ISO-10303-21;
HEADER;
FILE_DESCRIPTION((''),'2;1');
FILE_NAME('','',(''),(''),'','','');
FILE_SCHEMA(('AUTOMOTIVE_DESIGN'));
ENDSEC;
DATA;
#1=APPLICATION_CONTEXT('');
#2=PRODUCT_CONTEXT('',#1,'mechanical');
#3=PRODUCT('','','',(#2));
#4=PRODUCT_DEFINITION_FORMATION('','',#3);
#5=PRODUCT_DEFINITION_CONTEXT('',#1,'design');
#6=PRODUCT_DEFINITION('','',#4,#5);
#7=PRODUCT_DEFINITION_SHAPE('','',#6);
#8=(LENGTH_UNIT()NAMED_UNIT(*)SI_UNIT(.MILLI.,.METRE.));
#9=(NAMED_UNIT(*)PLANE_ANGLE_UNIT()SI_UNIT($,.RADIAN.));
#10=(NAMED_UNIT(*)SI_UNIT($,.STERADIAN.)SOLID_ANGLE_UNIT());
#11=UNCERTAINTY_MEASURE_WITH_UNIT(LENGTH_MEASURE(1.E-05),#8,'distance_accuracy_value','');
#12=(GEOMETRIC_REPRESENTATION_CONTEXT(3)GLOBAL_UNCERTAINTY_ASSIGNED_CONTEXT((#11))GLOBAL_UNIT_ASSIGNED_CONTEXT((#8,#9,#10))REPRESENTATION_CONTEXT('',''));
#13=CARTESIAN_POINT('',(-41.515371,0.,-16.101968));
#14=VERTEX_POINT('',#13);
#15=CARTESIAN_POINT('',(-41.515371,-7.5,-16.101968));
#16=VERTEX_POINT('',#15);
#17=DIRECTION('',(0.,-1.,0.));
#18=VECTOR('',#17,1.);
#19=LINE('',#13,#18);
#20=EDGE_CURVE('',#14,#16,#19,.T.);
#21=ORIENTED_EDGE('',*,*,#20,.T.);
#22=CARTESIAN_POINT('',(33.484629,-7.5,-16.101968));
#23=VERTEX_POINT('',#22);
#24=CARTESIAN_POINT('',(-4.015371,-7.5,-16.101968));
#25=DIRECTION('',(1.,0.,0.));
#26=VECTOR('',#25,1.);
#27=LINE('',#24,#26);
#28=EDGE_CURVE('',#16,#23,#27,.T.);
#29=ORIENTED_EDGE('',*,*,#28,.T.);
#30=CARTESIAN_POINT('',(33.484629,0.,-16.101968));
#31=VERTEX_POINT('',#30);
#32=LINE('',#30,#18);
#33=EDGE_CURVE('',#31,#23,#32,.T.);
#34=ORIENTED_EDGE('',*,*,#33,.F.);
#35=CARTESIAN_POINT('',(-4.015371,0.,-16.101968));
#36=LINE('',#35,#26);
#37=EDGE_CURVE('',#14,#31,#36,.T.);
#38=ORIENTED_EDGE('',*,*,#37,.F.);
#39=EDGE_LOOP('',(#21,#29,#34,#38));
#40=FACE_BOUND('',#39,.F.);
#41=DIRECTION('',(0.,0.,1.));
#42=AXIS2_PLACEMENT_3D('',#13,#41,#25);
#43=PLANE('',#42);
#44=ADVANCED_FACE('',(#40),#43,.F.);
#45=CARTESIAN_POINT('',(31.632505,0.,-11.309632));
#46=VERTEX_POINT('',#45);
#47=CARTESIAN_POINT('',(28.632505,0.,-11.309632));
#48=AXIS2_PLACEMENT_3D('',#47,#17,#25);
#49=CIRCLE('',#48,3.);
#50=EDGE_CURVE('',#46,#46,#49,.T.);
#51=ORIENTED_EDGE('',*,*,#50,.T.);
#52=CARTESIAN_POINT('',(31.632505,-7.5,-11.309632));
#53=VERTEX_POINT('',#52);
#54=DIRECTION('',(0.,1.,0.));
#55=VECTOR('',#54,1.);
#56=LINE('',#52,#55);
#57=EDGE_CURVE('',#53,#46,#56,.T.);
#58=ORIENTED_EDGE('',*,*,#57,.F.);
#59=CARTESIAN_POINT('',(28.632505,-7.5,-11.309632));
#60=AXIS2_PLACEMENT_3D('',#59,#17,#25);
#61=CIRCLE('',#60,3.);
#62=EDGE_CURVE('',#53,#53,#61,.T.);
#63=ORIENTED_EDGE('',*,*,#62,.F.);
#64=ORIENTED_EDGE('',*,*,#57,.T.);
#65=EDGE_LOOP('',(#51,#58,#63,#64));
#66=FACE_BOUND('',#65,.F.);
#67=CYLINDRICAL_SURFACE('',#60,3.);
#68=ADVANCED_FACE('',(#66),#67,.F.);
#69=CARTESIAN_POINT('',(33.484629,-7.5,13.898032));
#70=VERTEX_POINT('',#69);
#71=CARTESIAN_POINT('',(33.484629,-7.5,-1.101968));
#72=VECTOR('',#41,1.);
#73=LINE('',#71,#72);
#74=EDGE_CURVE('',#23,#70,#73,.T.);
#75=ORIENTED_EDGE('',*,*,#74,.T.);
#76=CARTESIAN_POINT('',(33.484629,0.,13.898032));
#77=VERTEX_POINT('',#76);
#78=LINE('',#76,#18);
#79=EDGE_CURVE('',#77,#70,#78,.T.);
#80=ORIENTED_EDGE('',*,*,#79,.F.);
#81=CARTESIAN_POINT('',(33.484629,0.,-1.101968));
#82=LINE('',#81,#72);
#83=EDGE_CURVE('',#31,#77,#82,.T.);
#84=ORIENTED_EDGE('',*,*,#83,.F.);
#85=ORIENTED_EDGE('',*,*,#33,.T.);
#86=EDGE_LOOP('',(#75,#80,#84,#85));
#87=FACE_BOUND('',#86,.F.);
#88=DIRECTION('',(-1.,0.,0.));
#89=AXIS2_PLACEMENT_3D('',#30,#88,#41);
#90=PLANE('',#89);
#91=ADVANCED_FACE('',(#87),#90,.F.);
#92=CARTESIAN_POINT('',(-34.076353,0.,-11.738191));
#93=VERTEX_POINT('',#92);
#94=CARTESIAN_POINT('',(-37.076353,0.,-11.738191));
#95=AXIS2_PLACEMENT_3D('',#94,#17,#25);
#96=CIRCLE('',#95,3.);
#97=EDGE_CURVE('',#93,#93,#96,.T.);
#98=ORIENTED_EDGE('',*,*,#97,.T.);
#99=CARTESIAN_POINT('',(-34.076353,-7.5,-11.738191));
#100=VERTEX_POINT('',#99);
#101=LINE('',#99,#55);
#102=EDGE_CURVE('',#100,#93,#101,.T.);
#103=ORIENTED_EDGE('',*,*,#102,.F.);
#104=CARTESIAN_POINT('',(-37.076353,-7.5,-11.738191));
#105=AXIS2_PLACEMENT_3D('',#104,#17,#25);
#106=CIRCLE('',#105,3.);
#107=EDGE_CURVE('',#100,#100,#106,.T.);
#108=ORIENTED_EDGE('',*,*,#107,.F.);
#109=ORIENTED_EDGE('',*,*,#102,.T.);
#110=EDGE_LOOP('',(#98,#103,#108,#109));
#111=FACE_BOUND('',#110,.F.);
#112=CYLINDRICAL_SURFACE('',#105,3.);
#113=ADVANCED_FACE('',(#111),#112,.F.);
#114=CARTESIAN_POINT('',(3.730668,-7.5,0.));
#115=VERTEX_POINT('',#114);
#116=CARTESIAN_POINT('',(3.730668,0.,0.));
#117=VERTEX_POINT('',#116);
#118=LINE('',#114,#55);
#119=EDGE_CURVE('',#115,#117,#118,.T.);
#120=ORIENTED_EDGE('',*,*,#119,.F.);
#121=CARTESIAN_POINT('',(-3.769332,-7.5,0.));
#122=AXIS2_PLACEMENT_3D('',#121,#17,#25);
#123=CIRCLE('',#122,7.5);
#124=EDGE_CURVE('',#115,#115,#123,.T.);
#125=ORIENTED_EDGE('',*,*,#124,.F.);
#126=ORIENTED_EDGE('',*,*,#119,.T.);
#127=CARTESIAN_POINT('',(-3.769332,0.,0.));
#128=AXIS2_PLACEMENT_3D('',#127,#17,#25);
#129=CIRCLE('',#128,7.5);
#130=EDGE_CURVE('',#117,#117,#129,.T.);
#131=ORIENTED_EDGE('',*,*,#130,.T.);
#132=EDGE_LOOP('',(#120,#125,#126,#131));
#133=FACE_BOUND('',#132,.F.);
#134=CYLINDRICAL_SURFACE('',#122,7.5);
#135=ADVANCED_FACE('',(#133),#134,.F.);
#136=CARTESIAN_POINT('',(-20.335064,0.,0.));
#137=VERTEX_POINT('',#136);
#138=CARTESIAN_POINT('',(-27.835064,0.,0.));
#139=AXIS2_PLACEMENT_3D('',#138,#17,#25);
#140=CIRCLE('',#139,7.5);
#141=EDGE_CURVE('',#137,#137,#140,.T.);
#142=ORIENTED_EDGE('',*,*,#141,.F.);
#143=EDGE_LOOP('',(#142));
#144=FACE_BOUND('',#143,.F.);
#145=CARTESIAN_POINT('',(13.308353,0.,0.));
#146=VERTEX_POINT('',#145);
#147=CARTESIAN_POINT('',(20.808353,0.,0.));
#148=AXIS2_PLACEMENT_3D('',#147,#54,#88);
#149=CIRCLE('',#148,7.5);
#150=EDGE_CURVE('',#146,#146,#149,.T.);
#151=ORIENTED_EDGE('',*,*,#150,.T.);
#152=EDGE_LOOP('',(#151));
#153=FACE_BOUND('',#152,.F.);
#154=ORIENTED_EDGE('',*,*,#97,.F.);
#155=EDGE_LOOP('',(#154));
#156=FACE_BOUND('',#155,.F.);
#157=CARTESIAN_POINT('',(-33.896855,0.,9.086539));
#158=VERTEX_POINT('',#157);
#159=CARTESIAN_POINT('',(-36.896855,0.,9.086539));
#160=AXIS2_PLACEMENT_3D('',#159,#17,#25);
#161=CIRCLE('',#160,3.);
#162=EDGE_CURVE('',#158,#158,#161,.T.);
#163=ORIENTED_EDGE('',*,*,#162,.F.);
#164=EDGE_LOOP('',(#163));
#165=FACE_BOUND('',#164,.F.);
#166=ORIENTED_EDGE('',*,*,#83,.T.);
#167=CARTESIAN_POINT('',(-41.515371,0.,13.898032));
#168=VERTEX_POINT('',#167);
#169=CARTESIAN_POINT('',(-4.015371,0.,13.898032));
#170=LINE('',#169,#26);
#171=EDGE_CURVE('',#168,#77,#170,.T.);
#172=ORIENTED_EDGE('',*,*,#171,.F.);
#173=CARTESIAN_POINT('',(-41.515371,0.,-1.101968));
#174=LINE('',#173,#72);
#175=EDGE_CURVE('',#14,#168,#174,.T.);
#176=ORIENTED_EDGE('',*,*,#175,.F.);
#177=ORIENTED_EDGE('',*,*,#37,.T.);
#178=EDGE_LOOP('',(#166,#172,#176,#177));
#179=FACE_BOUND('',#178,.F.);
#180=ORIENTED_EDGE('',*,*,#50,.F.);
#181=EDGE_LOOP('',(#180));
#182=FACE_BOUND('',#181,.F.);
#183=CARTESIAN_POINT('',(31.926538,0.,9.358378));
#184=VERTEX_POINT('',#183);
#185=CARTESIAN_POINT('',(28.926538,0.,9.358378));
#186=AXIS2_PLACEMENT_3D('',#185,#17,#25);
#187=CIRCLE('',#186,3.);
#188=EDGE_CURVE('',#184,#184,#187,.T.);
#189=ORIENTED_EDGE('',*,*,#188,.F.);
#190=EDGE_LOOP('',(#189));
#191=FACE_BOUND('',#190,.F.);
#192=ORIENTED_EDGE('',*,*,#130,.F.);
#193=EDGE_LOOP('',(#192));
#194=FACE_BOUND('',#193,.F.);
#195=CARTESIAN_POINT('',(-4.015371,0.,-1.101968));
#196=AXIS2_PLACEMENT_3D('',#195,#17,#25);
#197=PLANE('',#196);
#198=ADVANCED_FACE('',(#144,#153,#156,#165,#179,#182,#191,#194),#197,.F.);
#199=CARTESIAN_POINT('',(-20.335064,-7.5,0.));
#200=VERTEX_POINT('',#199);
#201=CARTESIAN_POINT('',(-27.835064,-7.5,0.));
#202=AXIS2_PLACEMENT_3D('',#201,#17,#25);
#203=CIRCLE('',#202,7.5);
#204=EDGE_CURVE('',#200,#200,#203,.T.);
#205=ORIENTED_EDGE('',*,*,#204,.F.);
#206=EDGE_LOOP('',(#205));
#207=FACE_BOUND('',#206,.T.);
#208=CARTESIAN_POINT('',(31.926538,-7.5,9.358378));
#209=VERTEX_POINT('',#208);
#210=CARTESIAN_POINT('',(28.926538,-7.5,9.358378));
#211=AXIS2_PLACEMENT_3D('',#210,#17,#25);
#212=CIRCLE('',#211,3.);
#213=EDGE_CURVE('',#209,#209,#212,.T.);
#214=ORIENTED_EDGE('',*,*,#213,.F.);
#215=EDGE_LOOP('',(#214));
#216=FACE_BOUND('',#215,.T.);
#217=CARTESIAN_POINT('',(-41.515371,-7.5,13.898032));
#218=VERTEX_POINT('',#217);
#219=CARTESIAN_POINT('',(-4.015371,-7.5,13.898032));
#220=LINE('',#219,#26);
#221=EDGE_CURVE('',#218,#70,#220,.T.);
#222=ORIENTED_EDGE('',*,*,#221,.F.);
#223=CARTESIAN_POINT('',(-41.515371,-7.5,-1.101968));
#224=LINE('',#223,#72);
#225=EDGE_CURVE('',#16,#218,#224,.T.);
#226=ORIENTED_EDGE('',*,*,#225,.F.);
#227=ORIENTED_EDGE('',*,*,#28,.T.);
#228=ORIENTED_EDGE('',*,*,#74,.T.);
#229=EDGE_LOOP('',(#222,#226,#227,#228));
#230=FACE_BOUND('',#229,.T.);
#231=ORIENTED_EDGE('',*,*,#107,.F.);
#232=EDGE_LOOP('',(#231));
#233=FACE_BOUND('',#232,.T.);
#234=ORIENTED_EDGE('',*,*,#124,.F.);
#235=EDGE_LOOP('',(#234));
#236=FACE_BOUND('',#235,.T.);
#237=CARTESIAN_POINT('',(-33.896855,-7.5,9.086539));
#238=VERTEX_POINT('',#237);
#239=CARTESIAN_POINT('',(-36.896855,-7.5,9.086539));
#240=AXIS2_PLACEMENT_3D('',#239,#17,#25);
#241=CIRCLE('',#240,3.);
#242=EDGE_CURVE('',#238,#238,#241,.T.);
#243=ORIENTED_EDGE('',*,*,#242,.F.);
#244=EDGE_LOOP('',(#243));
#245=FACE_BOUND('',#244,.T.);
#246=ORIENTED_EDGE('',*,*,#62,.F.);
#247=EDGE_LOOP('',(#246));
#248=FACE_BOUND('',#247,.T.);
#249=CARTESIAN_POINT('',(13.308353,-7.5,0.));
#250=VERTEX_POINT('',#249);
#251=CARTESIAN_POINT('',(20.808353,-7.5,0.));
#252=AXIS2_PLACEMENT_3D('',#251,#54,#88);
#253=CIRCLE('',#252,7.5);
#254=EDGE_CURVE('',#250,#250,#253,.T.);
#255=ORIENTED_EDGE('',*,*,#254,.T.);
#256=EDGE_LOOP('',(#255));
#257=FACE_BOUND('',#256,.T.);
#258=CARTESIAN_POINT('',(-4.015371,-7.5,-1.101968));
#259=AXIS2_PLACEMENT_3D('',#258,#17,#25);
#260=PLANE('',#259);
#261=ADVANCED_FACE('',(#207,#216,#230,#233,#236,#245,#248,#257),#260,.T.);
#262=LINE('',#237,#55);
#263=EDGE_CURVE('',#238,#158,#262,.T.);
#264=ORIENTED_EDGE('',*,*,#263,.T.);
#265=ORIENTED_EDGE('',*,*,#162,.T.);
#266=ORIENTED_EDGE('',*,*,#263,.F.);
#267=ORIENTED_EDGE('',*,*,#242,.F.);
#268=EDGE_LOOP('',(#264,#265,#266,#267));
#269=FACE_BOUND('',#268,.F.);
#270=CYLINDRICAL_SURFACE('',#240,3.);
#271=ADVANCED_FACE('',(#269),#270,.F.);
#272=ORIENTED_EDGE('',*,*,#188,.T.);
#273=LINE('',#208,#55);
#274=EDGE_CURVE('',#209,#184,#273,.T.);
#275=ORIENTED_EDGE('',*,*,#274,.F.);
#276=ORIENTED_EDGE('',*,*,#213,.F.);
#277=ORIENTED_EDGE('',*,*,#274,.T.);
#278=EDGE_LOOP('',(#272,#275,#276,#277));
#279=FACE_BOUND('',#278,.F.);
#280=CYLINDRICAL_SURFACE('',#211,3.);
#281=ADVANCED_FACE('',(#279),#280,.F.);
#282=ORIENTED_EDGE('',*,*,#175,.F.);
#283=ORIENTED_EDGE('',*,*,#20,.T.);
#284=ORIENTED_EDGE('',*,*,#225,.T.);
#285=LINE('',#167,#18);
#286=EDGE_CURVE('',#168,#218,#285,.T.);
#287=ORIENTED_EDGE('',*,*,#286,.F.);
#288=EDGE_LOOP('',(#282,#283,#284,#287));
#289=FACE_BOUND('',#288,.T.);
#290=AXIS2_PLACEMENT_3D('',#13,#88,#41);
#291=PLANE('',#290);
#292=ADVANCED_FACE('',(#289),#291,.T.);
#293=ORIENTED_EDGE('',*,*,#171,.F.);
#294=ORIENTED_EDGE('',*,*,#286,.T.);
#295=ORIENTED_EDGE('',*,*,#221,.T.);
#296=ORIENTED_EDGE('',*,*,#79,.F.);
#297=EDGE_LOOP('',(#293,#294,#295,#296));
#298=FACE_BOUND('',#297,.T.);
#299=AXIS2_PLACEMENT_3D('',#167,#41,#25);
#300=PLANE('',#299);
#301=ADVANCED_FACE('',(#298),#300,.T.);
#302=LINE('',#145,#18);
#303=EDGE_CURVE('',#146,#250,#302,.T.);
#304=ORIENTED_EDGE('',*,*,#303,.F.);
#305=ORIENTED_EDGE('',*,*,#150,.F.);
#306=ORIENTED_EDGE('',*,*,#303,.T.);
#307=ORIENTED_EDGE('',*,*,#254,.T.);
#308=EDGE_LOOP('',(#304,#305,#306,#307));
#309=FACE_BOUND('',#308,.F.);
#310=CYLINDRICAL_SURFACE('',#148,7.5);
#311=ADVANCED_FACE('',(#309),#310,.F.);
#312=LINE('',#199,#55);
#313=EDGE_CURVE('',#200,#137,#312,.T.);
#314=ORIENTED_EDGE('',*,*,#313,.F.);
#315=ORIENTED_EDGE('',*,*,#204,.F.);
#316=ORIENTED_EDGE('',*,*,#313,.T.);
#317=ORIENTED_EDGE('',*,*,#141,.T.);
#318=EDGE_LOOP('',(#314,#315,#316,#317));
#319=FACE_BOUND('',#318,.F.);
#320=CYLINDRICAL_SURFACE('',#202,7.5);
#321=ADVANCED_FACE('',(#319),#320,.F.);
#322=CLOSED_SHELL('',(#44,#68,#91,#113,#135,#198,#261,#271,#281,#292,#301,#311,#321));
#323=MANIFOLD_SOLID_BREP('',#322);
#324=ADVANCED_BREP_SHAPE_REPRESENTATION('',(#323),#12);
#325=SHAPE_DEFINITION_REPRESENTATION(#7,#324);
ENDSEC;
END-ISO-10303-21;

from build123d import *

# Parameters (mm, degrees)
F0_W     = 75
F0_H     = 30
F1_DEPTH = 7.5
F2_R     = 7.5
F3_DEPTH = 25
F4_R     = 7.5
F5_DEPTH = 25
F6_R     = 3
F7_DEPTH = 7.5


with BuildPart() as f1:
    # F0 (on Front) → F1 (new body)
    with BuildSketch(Plane.XZ):
        with Locations((-4.015371, -1.101968)):
            Rectangle(F0_W, F0_H)
    extrude(amount=F1_DEPTH)

    # F2 (on face) → F3 (cut)
    with BuildSketch(Plane(origin=(0, 0, 0), x_dir=(-1, 0, 0), z_dir=(0, 1, 0))):
        with Locations((-20.808353, 0)):
            Circle(F2_R)
    extrude(amount=-F3_DEPTH, mode=Mode.SUBTRACT)

    # F4 (on face) → F5 (cut)
    with BuildSketch(Plane.XZ.offset(7.5)):
        with Locations((-3.769332, 0)):
            Circle(F4_R)
        with Locations((-27.835064, 0)):
            Circle(F4_R)
    extrude(amount=-F5_DEPTH, mode=Mode.SUBTRACT)

    # F6 (on face) → F7 (cut, through all)
    with BuildSketch(Plane.XZ.offset(7.5)):
        with Locations((-36.896855, 9.086539)):
            Circle(F6_R)
        with Locations((-37.076353, -11.738191)):
            Circle(F6_R)
        with Locations((28.926538, 9.358378)):
            Circle(F6_R)
        with Locations((28.632505, -11.309632)):
            Circle(F6_R)
    extrude(amount=-F7_DEPTH, mode=Mode.SUBTRACT)


solid = f1.part
